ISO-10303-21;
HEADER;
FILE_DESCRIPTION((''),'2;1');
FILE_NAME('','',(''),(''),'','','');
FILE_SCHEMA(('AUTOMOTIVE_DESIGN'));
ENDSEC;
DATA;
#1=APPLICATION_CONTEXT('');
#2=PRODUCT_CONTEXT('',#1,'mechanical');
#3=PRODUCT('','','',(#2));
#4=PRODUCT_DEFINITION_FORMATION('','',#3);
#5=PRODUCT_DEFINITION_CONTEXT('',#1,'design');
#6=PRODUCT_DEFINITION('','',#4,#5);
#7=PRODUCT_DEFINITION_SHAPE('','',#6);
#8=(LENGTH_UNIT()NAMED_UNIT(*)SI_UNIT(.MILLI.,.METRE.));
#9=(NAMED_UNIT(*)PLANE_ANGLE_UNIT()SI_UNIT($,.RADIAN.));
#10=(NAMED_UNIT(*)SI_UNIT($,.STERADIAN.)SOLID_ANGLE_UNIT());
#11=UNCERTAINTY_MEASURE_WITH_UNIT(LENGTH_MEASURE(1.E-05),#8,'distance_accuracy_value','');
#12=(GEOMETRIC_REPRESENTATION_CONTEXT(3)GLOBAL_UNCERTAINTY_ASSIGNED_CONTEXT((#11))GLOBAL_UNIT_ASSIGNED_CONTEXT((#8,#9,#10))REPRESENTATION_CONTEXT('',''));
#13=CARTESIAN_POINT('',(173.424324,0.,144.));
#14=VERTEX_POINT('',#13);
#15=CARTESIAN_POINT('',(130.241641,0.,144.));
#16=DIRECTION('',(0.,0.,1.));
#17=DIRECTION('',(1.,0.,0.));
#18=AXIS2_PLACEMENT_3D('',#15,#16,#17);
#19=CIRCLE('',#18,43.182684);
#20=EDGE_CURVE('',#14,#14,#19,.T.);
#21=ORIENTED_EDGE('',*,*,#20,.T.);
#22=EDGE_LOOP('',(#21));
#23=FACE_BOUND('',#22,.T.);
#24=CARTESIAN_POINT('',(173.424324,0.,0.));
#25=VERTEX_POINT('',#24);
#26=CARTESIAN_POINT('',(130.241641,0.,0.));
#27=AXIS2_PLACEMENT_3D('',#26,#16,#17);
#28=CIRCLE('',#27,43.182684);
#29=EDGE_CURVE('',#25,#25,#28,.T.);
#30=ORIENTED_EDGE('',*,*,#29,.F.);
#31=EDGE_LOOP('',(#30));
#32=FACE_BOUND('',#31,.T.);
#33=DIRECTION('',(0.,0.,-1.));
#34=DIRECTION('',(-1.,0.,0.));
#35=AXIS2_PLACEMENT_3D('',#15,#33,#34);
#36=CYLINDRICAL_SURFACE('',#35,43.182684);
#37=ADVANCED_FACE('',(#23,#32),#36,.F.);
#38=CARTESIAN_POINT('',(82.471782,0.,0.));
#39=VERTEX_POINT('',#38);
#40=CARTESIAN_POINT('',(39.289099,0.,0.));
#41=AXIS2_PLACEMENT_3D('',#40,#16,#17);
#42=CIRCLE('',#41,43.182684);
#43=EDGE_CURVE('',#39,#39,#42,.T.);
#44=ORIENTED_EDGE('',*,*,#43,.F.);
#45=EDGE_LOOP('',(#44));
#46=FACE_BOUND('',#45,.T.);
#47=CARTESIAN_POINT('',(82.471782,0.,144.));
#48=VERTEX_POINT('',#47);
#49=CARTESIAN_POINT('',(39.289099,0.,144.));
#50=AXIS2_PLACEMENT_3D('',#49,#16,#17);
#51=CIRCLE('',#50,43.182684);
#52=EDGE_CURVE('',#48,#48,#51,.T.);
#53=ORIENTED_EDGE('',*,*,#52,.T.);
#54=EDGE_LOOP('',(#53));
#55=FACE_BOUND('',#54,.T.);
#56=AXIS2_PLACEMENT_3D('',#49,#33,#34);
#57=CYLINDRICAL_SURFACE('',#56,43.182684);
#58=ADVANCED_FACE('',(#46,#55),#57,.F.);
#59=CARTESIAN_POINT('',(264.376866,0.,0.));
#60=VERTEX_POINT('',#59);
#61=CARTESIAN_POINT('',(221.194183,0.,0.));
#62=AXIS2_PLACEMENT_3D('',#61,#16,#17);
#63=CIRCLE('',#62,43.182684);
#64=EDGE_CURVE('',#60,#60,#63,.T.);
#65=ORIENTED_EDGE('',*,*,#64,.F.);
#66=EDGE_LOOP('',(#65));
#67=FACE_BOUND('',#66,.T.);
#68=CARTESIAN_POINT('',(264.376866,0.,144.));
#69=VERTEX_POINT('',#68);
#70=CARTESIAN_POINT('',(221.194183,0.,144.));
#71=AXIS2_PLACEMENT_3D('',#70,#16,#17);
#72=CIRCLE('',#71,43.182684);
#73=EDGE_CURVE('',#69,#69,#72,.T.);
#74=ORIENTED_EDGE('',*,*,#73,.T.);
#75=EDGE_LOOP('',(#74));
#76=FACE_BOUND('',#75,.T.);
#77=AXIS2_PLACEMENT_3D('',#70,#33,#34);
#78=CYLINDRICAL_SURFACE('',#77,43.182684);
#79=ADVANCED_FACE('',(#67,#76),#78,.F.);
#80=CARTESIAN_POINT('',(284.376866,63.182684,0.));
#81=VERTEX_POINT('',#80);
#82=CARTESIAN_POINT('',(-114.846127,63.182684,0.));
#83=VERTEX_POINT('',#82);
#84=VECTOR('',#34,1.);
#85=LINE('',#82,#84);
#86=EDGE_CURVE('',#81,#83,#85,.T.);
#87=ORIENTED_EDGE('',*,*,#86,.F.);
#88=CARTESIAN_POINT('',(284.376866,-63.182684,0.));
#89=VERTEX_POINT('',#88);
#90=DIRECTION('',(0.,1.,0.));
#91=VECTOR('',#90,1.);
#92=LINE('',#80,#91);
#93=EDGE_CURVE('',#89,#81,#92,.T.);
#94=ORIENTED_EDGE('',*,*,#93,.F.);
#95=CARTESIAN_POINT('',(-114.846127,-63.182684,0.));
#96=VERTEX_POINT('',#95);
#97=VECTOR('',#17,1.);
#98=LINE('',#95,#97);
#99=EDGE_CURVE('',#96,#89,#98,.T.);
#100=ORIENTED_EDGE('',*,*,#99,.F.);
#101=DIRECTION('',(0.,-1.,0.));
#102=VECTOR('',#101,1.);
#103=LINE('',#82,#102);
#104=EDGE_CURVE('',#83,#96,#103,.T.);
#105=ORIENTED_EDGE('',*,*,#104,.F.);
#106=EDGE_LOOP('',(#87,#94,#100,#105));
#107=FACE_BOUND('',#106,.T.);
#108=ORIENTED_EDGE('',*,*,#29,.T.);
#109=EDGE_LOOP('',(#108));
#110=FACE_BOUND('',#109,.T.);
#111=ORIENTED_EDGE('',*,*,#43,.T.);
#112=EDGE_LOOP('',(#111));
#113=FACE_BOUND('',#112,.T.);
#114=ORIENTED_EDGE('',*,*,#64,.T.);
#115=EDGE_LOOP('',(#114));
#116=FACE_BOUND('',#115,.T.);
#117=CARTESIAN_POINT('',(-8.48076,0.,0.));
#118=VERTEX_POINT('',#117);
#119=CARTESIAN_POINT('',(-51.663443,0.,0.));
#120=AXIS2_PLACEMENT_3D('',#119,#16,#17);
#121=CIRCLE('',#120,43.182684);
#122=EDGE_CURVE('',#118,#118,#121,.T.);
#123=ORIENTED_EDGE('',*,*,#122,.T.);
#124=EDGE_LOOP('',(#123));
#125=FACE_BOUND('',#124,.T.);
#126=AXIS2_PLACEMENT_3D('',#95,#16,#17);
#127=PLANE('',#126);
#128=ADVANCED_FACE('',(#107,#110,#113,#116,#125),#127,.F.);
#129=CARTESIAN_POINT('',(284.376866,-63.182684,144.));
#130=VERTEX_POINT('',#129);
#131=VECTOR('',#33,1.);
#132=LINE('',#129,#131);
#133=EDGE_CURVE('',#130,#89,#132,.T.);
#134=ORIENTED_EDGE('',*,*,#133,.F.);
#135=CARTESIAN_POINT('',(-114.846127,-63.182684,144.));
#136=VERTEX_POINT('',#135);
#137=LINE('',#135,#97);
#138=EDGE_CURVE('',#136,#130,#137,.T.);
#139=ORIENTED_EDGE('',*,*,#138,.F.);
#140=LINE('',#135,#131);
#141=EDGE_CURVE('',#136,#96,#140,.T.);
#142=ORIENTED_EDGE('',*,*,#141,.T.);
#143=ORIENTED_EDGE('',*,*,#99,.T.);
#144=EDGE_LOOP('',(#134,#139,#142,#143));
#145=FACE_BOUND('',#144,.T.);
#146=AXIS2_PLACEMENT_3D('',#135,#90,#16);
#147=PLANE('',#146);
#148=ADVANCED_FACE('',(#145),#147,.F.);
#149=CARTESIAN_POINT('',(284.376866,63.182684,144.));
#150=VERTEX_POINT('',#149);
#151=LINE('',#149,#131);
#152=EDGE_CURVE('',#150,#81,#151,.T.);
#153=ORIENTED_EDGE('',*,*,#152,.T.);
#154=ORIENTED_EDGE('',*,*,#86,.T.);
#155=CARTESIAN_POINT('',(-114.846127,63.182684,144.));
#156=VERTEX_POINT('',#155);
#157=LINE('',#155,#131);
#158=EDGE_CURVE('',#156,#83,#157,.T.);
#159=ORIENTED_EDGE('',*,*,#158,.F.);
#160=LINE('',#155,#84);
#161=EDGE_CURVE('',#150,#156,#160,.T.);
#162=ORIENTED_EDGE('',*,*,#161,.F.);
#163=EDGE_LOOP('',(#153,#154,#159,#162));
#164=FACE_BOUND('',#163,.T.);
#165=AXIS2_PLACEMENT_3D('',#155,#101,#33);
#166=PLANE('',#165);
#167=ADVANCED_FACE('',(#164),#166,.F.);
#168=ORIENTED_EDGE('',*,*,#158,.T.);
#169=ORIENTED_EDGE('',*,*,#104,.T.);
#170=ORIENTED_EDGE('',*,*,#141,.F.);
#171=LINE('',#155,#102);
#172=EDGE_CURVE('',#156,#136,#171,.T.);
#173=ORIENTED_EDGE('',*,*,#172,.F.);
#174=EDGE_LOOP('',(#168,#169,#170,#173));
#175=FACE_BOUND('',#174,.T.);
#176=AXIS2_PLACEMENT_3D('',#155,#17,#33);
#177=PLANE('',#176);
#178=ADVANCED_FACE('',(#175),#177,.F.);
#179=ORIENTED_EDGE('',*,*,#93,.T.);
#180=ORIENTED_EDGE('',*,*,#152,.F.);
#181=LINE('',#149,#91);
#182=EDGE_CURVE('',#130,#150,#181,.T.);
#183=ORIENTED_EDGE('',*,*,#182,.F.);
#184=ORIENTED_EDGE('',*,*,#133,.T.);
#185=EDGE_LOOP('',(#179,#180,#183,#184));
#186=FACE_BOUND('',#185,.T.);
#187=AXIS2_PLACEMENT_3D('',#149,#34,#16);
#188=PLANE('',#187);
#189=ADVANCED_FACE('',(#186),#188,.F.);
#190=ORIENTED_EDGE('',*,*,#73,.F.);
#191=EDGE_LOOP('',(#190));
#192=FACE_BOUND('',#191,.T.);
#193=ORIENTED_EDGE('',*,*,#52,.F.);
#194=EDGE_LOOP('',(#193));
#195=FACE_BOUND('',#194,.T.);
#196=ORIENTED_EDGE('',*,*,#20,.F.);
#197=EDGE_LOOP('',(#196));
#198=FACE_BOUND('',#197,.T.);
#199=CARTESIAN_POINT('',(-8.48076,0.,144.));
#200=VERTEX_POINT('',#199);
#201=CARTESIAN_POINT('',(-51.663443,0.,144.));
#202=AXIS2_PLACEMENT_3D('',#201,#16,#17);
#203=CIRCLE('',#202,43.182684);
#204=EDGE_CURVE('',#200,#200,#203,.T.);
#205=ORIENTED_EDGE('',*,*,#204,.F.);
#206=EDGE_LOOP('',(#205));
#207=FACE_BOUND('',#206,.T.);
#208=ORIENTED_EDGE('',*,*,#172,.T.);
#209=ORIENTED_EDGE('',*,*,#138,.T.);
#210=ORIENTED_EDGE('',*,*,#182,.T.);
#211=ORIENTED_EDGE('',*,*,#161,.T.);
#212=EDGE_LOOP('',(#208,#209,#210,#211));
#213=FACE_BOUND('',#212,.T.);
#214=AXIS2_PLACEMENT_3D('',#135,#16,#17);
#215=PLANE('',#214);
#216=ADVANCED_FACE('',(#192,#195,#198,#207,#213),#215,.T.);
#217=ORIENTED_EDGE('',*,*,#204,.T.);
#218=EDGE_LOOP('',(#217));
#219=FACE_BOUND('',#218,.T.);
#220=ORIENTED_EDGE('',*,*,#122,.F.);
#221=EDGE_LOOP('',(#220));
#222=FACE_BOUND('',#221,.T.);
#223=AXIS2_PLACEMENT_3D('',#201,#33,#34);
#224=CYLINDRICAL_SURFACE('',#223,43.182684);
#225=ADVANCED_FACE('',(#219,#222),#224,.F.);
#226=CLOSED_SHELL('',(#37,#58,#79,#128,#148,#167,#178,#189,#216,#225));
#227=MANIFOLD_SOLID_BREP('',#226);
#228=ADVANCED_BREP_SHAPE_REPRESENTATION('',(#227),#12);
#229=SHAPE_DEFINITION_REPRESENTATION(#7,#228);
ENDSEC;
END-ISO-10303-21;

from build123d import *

# Parameters (mm, degrees)
SKETCH1_W      = 399.222993536
SKETCH1_H      = 126.36536723
SKETCH1_R      = 43.182683615
EXTRUDE1_DEPTH = 144


with BuildPart() as part:
    # Sketch1 → Extrude1 (new body)
    with BuildSketch(Plane.XY):
        with Locations((84.765369677, 0)):
            Rectangle(SKETCH1_W, SKETCH1_H)
        with Locations((-51.663443477, 0)):
            Circle(SKETCH1_R, mode=Mode.SUBTRACT)
        with Locations((39.289098626, 0)):
            Circle(SKETCH1_R, mode=Mode.SUBTRACT)
        with Locations((130.241640728, 0)):
            Circle(SKETCH1_R, mode=Mode.SUBTRACT)
        with Locations((221.19418283, 0)):
            Circle(SKETCH1_R, mode=Mode.SUBTRACT)
    extrude(amount=EXTRUDE1_DEPTH)


solid = part.part
